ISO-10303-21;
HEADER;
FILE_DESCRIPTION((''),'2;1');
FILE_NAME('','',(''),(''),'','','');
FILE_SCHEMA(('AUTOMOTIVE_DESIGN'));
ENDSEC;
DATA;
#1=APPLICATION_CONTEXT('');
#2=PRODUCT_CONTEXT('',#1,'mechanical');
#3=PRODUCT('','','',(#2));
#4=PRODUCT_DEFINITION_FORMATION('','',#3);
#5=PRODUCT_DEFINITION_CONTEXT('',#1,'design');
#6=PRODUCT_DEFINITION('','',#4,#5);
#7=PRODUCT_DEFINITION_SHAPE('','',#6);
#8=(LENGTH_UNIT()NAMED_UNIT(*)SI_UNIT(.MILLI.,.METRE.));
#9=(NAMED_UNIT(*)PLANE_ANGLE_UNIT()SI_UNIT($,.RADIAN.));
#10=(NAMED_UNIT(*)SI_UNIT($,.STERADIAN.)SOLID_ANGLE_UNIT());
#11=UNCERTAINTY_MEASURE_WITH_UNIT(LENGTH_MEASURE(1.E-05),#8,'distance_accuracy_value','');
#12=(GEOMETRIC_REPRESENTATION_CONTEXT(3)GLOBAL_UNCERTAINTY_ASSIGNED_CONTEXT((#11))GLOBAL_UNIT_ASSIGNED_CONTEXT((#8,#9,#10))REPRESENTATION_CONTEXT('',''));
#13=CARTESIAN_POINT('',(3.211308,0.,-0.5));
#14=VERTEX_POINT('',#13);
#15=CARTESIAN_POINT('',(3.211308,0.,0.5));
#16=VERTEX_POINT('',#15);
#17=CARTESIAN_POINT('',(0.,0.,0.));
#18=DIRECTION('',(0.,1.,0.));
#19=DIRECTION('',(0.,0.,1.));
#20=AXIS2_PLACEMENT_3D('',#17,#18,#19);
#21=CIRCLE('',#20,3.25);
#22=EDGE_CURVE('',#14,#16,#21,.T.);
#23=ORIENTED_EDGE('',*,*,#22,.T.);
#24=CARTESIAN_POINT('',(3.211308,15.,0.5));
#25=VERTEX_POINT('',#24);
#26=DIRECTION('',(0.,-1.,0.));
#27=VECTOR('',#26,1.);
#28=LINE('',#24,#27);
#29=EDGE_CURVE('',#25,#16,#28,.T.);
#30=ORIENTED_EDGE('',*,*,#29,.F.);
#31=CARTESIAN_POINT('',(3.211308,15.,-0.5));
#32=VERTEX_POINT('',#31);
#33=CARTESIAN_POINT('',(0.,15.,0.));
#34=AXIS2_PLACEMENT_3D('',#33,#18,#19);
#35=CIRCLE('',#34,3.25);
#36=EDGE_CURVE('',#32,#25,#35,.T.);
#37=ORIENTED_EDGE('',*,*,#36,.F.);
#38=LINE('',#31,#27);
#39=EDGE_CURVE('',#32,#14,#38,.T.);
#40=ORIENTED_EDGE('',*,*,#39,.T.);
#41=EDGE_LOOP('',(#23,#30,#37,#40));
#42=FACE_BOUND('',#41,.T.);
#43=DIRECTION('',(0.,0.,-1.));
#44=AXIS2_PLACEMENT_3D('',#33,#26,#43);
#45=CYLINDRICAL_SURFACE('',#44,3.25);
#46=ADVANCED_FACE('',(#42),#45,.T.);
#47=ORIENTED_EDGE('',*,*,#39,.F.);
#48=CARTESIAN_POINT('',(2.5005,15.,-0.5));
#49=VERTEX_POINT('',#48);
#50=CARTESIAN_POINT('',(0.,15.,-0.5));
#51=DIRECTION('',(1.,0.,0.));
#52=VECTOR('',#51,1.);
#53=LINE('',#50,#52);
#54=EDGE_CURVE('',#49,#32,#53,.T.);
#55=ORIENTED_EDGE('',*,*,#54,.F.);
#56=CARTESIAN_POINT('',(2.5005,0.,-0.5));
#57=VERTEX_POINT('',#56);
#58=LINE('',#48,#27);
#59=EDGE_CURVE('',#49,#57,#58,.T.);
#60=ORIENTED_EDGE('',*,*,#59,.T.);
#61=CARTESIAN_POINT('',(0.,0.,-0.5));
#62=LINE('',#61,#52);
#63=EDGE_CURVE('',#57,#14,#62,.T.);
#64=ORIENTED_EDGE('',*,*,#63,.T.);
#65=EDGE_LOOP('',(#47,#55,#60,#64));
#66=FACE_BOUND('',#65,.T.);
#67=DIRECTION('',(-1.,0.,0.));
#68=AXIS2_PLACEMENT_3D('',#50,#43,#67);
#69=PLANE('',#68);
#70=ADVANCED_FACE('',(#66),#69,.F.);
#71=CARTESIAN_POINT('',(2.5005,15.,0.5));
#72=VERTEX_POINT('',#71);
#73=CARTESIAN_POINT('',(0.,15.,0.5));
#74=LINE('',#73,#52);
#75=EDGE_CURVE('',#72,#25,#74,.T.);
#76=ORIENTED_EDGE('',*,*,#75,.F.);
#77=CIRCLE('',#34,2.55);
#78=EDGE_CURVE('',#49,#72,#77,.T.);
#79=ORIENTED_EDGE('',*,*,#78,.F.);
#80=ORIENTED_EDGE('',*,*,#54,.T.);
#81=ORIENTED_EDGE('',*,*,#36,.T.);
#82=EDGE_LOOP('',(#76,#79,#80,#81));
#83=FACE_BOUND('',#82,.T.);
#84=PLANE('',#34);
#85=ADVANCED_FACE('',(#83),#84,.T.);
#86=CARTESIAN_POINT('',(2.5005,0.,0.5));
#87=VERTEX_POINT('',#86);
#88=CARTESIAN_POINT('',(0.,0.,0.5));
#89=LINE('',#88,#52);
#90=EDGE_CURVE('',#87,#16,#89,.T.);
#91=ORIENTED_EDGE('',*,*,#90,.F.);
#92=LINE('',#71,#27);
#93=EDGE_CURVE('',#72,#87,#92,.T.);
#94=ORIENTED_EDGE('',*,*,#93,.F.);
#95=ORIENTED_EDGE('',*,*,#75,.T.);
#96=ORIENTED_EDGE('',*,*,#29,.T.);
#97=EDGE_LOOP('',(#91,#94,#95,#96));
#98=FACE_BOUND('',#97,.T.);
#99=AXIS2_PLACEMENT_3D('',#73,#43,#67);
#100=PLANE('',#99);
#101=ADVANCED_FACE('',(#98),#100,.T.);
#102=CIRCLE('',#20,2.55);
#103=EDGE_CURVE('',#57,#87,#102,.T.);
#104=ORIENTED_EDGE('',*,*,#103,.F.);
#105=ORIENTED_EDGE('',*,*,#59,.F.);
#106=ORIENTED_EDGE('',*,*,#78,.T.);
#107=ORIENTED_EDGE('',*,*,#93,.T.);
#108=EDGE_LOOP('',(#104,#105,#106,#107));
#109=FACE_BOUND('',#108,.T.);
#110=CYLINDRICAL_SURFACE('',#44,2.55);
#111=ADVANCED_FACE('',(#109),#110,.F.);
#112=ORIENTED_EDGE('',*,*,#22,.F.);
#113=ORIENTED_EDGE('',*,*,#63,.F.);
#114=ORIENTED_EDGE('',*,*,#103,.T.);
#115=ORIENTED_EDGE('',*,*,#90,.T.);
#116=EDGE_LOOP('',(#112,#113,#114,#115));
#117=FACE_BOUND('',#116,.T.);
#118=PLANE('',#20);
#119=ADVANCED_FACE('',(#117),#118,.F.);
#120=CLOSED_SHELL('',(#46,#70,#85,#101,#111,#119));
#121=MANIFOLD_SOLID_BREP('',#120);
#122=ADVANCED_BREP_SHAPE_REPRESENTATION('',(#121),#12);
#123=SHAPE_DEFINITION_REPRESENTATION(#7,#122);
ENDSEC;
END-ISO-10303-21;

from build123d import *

# Parameters (mm, degrees)
BOSS_EXTRUDE1_DEPTH = 15


with BuildPart() as part:
    # Sketch1 → Boss-Extrude1 (new body)
    with BuildSketch(Plane(origin=(0, 0, 0), x_dir=(1, 0, 0), z_dir=(0, 1, 0))):
        with BuildLine():
            ThreePointArc((2.50049995, -0.5), (-2.55, 0), (2.50049995, 0.5))
            Line((2.50049995, 0.5), (3.211308145, 0.5))
            ThreePointArc((3.211308145, 0.5), (-3.25, 0), (3.211308145, -0.5))
            Line((3.211308145, -0.5), (2.50049995, -0.5))
        make_face()
    extrude(amount=BOSS_EXTRUDE1_DEPTH)


solid = part.part
